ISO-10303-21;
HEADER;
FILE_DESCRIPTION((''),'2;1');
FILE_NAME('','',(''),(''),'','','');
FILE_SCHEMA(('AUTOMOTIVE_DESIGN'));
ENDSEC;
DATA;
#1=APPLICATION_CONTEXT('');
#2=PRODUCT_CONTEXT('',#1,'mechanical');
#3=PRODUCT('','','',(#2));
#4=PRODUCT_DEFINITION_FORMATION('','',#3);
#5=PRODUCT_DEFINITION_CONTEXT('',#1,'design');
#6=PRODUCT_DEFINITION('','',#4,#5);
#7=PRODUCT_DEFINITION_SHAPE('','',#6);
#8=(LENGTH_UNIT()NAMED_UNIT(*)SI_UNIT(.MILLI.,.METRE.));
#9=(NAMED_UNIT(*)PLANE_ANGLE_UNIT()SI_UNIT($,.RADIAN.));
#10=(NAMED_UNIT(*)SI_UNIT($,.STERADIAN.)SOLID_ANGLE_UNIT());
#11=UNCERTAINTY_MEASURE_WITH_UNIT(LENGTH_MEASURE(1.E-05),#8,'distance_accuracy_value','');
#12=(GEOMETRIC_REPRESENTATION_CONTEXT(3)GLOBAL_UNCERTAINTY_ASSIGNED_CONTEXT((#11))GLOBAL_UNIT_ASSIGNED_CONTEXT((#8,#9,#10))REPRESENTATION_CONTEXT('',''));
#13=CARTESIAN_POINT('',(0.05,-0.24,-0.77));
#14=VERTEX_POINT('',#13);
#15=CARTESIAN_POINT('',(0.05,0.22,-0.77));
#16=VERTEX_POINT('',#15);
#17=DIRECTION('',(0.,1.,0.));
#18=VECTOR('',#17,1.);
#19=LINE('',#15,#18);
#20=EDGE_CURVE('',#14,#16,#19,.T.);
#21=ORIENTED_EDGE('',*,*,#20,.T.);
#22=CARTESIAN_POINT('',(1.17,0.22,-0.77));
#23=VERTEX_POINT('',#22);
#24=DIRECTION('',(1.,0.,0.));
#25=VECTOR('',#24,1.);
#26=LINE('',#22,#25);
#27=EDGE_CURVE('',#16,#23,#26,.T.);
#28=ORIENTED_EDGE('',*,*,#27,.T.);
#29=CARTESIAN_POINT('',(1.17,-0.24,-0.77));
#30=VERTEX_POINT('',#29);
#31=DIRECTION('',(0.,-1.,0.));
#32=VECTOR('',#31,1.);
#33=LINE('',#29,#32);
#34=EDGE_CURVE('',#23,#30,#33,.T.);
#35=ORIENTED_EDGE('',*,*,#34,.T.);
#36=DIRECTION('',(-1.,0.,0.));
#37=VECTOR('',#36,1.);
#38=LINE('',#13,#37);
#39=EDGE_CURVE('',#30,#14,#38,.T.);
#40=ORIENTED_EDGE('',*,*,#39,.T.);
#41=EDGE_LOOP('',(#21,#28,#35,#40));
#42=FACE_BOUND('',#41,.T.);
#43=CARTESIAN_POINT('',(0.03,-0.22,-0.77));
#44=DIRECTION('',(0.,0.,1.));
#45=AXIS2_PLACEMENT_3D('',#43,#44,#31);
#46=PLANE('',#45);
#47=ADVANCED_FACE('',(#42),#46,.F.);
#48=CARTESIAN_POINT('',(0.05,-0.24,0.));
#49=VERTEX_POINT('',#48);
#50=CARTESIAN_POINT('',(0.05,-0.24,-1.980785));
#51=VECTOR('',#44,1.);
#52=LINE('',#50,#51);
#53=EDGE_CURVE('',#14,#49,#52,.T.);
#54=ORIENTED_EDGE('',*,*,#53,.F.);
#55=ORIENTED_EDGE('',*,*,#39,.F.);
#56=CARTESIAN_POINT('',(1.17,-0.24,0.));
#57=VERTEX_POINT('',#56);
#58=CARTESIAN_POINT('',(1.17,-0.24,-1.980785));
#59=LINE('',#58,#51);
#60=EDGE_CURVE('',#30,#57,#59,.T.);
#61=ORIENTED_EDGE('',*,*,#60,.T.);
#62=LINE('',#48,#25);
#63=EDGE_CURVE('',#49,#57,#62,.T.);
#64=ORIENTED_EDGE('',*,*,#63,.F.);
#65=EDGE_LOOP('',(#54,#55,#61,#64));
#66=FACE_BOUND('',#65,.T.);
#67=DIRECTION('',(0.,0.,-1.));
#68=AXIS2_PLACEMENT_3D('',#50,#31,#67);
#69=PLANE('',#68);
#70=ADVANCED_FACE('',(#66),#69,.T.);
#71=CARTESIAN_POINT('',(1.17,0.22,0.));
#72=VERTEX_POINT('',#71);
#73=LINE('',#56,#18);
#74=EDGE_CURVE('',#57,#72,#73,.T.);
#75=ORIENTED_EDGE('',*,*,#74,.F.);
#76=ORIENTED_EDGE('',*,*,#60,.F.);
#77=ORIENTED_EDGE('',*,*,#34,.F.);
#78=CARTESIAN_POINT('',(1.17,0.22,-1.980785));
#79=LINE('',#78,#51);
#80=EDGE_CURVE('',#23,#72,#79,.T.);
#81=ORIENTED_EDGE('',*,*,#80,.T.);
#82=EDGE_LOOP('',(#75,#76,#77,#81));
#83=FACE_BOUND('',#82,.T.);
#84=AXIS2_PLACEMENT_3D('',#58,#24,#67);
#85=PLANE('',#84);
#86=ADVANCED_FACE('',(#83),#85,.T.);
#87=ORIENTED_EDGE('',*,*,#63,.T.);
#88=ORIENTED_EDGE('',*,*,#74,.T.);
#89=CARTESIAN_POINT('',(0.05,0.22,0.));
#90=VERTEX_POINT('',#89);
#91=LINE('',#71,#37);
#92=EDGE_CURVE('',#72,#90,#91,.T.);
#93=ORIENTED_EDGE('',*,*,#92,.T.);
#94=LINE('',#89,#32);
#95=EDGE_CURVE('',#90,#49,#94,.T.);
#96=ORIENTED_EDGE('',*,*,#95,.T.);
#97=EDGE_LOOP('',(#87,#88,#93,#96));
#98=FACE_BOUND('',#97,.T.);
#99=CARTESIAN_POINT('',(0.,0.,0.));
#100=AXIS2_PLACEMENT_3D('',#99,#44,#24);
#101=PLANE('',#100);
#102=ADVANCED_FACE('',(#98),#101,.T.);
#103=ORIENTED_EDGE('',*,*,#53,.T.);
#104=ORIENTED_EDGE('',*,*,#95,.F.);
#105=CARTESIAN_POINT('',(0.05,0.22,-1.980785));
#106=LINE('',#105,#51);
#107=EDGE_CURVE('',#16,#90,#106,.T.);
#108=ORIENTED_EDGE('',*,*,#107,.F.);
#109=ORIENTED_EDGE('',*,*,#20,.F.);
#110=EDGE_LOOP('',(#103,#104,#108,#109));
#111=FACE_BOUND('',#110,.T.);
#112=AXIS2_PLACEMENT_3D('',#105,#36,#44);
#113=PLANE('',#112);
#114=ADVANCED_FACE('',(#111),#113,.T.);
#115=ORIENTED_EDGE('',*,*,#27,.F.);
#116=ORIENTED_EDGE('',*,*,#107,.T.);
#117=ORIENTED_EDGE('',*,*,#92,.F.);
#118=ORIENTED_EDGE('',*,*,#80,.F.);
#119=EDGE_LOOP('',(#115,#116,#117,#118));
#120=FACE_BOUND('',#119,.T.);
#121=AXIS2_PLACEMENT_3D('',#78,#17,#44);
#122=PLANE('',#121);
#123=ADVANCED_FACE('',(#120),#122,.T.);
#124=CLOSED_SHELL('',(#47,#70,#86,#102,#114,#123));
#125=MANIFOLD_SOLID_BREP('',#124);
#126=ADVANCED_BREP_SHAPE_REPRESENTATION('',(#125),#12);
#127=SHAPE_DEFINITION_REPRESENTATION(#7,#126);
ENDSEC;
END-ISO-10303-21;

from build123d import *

# Parameters (mm, degrees)
SKETCH1_W           = 1.12
SKETCH1_H           = 0.46
BOSS_EXTRUDE1_DEPTH = 0.77


with BuildPart() as part:
    # Sketch1 → Boss-Extrude1 (new body)
    with BuildSketch(Plane.XY):
        with Locations((0.61, -0.01)):
            Rectangle(SKETCH1_W, SKETCH1_H)
    extrude(amount=-BOSS_EXTRUDE1_DEPTH)


solid = part.part
